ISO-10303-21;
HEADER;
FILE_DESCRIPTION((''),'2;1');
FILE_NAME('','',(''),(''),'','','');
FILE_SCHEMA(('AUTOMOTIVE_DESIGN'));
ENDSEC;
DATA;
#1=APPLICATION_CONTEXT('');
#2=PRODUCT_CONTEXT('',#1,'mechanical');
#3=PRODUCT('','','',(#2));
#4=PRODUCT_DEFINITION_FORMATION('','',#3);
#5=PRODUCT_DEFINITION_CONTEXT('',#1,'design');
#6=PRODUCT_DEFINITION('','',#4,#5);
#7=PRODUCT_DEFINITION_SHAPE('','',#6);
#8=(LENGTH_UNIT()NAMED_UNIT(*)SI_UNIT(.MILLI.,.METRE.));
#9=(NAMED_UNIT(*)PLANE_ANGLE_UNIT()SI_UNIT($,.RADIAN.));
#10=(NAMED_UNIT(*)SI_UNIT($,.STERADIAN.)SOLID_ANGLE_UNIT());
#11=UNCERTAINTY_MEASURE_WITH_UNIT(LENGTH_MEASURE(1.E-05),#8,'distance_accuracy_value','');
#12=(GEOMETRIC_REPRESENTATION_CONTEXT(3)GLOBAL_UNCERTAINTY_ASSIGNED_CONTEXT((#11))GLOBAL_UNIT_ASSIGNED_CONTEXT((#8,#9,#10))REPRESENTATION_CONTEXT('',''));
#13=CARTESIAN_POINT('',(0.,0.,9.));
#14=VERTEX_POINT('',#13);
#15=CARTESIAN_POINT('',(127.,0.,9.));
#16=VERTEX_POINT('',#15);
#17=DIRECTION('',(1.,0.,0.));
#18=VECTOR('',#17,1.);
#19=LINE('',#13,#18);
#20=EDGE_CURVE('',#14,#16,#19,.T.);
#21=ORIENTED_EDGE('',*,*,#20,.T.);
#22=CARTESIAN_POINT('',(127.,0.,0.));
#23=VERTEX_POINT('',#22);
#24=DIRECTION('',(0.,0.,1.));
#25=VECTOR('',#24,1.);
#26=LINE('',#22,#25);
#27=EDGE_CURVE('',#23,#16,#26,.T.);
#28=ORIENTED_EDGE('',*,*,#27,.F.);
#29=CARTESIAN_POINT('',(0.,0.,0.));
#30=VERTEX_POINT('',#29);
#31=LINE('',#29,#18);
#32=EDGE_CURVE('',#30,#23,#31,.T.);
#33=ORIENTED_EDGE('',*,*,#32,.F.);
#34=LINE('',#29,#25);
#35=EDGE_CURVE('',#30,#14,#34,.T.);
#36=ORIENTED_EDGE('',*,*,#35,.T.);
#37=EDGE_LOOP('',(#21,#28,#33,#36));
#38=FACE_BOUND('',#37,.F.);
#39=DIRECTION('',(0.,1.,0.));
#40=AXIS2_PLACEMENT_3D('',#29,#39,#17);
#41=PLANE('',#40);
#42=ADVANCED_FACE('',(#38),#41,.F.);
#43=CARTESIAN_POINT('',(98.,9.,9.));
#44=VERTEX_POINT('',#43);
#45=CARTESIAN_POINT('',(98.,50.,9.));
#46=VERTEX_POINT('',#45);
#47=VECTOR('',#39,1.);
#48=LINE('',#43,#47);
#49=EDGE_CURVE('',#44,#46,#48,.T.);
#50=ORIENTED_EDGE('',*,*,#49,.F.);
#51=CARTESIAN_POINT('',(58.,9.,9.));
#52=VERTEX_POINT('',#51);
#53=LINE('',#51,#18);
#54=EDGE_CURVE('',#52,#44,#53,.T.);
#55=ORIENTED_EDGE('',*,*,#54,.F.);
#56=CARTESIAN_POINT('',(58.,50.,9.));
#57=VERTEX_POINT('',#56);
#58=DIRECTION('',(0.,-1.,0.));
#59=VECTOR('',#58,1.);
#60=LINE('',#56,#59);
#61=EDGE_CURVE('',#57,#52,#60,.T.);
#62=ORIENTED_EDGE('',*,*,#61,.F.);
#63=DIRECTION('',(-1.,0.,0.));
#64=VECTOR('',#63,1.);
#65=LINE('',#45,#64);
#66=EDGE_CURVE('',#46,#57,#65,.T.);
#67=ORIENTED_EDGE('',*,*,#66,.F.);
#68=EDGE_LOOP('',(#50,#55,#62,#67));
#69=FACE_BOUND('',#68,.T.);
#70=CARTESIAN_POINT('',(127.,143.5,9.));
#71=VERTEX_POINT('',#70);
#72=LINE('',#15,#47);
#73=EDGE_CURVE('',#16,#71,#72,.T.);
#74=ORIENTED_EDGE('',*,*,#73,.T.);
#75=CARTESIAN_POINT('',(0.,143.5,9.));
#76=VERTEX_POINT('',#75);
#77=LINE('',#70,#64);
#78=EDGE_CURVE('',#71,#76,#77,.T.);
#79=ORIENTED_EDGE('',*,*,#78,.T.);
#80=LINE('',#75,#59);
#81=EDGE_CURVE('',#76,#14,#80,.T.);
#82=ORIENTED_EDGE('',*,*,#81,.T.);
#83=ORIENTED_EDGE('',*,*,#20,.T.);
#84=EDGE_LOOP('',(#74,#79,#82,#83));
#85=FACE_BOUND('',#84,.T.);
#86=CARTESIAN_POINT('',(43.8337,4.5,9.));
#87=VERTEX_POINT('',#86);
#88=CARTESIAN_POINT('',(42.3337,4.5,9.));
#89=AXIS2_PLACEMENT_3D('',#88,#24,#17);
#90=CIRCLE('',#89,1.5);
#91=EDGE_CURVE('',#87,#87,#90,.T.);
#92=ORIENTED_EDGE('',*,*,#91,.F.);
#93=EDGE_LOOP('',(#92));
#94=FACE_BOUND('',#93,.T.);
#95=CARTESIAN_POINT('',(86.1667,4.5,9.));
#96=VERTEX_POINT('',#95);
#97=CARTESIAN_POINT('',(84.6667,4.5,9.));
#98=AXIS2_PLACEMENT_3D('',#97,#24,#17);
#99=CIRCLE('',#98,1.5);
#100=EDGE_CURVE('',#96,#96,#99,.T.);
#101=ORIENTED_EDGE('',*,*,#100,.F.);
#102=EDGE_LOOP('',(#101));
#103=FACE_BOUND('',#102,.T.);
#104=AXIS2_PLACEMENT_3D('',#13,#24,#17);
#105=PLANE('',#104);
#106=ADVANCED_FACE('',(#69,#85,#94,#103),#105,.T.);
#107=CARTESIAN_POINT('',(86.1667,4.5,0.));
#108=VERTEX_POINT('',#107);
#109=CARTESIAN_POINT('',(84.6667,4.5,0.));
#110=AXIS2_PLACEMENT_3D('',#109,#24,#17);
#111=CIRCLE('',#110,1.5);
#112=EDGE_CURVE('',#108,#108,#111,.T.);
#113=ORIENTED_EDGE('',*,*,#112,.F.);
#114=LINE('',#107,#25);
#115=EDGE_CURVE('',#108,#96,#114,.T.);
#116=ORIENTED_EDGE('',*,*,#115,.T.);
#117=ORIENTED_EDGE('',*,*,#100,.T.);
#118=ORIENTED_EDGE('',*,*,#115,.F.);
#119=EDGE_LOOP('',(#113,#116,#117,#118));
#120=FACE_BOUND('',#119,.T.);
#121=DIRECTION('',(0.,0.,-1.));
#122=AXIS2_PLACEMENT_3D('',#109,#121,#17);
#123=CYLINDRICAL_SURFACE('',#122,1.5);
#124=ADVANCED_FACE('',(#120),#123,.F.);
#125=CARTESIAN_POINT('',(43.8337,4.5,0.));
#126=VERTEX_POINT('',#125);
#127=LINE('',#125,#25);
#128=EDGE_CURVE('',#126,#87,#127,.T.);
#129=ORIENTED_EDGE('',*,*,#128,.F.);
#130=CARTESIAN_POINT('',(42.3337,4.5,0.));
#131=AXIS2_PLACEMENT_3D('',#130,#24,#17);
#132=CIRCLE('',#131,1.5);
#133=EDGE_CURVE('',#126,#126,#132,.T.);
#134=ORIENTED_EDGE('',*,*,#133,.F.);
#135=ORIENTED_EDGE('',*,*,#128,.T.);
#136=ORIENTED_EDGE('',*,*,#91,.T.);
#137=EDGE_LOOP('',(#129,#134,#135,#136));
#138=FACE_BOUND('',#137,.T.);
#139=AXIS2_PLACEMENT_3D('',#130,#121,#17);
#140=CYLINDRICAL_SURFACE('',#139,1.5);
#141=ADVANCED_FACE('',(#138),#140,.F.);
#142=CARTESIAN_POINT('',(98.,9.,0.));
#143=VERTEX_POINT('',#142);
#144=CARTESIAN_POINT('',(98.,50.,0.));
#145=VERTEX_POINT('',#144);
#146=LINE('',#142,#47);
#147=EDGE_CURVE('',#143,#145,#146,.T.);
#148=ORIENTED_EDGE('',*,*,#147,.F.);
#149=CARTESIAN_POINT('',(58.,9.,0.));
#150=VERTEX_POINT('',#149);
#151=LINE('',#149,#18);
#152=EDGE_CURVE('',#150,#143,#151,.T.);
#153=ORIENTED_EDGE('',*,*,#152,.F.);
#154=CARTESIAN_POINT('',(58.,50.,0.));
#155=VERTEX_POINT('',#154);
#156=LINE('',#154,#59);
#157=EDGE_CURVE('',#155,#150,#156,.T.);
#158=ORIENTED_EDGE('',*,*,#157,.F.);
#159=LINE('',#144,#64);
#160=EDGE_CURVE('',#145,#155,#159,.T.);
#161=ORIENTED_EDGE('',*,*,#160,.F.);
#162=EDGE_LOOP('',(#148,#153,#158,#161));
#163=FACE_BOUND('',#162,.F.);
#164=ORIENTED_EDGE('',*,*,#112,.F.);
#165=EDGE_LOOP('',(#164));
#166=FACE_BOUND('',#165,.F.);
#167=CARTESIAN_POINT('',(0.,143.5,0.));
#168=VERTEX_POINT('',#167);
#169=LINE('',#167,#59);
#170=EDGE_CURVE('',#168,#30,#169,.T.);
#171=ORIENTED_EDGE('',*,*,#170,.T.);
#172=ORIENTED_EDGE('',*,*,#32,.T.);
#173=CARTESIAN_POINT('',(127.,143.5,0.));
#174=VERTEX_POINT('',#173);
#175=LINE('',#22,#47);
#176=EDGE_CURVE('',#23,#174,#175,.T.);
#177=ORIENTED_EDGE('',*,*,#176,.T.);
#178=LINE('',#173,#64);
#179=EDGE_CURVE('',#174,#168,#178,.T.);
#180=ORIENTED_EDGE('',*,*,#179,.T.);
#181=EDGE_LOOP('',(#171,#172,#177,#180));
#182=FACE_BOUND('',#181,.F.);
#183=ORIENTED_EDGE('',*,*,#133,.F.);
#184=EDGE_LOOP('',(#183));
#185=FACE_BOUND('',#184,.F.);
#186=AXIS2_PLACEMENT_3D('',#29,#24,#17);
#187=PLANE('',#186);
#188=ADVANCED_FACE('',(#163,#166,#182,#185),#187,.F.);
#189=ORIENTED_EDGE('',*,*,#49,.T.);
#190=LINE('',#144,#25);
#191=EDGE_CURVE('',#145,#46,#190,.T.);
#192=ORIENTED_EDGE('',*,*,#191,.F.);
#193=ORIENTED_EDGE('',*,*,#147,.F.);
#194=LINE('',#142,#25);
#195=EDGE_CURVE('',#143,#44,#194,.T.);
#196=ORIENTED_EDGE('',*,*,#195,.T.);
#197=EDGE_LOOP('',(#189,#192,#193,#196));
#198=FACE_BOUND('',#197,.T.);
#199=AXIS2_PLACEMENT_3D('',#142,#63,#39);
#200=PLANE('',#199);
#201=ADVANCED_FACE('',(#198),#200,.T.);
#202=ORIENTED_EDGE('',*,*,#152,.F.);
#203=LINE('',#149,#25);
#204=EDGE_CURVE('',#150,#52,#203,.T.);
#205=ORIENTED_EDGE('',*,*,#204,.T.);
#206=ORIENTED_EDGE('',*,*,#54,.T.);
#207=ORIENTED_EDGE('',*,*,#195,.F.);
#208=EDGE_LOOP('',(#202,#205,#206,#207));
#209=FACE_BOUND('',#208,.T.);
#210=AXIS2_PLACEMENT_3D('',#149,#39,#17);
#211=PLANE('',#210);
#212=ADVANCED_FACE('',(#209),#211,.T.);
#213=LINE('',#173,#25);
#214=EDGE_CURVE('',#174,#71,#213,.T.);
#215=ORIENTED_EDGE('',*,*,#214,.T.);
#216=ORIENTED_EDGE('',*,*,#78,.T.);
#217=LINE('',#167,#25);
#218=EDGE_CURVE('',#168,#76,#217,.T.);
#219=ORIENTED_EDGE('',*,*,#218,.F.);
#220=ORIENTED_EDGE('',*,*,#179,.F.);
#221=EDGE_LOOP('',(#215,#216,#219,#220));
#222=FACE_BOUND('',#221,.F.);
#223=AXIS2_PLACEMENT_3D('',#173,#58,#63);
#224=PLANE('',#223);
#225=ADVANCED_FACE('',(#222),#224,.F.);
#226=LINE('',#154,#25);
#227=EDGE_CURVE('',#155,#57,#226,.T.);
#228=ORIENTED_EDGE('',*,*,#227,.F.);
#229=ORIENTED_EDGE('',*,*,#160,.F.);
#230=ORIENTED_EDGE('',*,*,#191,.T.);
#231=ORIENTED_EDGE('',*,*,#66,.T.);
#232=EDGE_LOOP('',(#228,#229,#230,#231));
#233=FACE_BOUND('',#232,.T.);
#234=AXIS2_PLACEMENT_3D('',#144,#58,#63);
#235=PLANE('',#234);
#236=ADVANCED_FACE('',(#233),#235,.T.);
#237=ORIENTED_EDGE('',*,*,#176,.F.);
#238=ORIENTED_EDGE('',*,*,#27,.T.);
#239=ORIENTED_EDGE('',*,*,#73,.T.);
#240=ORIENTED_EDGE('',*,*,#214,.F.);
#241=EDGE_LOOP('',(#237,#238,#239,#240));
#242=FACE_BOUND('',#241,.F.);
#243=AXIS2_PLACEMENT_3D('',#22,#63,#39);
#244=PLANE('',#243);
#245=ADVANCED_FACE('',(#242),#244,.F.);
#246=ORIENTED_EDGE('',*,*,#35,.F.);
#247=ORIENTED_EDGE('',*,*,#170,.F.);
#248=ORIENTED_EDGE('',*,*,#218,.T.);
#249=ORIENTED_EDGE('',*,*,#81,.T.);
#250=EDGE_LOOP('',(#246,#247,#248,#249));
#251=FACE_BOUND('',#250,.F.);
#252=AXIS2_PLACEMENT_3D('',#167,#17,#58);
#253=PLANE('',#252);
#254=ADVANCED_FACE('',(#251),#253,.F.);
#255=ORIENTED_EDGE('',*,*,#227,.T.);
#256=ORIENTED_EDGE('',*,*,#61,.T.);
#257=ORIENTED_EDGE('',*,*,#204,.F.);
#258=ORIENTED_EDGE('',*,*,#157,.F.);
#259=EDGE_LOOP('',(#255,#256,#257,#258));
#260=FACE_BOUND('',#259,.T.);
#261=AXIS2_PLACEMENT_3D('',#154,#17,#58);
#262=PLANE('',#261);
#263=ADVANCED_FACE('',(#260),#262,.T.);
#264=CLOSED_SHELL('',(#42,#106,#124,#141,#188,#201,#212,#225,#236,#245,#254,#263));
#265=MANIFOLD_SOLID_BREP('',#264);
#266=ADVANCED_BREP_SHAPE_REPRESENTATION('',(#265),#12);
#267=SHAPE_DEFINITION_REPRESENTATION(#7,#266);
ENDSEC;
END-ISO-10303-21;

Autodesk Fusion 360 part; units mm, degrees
sketch "Skizze1" plane through (0, 0, 0) normal (0, 0, 1) x (1, 0, 0)
  line L0 (0, 0) -> (127, 0)
  line L1 (127, 0) -> (127, 143.5)
  line L2 (127, 143.5) -> (0, 143.5)
  line L3 (0, 143.5) -> (0, 0)
  line L4 (98, 50) -> (58, 50)
  line L5 (58, 50) -> (58, 9)
  line L6 (58, 9) -> (98, 9)
  line L7 (98, 9) -> (98, 50)
  circle A0 centre (84.6667, 4.5) radius 1.5
  circle A1 centre (42.3337, 4.5) radius 1.5
  dimension "d1" = 127
  dimension "d2" = 143.5
  dimension "d3" = 40
  dimension "d4" = 29
  dimension "d5" = 50
  dimension "d6" = 41
  dimension "d7" = 3
  dimension "d8" = 4.5
  dimension "d9" = 42.3333
  dimension "d10" = 3
extrude "Extrusion1" add sketch "Skizze1" along normal blind 9
equation "d5 = 41 mm + 9 mm"
equation "d8 = ( 9 / 2 ) * 1 mm"
equation "d9 = ( 127 / 3 ) * 1 mm"
